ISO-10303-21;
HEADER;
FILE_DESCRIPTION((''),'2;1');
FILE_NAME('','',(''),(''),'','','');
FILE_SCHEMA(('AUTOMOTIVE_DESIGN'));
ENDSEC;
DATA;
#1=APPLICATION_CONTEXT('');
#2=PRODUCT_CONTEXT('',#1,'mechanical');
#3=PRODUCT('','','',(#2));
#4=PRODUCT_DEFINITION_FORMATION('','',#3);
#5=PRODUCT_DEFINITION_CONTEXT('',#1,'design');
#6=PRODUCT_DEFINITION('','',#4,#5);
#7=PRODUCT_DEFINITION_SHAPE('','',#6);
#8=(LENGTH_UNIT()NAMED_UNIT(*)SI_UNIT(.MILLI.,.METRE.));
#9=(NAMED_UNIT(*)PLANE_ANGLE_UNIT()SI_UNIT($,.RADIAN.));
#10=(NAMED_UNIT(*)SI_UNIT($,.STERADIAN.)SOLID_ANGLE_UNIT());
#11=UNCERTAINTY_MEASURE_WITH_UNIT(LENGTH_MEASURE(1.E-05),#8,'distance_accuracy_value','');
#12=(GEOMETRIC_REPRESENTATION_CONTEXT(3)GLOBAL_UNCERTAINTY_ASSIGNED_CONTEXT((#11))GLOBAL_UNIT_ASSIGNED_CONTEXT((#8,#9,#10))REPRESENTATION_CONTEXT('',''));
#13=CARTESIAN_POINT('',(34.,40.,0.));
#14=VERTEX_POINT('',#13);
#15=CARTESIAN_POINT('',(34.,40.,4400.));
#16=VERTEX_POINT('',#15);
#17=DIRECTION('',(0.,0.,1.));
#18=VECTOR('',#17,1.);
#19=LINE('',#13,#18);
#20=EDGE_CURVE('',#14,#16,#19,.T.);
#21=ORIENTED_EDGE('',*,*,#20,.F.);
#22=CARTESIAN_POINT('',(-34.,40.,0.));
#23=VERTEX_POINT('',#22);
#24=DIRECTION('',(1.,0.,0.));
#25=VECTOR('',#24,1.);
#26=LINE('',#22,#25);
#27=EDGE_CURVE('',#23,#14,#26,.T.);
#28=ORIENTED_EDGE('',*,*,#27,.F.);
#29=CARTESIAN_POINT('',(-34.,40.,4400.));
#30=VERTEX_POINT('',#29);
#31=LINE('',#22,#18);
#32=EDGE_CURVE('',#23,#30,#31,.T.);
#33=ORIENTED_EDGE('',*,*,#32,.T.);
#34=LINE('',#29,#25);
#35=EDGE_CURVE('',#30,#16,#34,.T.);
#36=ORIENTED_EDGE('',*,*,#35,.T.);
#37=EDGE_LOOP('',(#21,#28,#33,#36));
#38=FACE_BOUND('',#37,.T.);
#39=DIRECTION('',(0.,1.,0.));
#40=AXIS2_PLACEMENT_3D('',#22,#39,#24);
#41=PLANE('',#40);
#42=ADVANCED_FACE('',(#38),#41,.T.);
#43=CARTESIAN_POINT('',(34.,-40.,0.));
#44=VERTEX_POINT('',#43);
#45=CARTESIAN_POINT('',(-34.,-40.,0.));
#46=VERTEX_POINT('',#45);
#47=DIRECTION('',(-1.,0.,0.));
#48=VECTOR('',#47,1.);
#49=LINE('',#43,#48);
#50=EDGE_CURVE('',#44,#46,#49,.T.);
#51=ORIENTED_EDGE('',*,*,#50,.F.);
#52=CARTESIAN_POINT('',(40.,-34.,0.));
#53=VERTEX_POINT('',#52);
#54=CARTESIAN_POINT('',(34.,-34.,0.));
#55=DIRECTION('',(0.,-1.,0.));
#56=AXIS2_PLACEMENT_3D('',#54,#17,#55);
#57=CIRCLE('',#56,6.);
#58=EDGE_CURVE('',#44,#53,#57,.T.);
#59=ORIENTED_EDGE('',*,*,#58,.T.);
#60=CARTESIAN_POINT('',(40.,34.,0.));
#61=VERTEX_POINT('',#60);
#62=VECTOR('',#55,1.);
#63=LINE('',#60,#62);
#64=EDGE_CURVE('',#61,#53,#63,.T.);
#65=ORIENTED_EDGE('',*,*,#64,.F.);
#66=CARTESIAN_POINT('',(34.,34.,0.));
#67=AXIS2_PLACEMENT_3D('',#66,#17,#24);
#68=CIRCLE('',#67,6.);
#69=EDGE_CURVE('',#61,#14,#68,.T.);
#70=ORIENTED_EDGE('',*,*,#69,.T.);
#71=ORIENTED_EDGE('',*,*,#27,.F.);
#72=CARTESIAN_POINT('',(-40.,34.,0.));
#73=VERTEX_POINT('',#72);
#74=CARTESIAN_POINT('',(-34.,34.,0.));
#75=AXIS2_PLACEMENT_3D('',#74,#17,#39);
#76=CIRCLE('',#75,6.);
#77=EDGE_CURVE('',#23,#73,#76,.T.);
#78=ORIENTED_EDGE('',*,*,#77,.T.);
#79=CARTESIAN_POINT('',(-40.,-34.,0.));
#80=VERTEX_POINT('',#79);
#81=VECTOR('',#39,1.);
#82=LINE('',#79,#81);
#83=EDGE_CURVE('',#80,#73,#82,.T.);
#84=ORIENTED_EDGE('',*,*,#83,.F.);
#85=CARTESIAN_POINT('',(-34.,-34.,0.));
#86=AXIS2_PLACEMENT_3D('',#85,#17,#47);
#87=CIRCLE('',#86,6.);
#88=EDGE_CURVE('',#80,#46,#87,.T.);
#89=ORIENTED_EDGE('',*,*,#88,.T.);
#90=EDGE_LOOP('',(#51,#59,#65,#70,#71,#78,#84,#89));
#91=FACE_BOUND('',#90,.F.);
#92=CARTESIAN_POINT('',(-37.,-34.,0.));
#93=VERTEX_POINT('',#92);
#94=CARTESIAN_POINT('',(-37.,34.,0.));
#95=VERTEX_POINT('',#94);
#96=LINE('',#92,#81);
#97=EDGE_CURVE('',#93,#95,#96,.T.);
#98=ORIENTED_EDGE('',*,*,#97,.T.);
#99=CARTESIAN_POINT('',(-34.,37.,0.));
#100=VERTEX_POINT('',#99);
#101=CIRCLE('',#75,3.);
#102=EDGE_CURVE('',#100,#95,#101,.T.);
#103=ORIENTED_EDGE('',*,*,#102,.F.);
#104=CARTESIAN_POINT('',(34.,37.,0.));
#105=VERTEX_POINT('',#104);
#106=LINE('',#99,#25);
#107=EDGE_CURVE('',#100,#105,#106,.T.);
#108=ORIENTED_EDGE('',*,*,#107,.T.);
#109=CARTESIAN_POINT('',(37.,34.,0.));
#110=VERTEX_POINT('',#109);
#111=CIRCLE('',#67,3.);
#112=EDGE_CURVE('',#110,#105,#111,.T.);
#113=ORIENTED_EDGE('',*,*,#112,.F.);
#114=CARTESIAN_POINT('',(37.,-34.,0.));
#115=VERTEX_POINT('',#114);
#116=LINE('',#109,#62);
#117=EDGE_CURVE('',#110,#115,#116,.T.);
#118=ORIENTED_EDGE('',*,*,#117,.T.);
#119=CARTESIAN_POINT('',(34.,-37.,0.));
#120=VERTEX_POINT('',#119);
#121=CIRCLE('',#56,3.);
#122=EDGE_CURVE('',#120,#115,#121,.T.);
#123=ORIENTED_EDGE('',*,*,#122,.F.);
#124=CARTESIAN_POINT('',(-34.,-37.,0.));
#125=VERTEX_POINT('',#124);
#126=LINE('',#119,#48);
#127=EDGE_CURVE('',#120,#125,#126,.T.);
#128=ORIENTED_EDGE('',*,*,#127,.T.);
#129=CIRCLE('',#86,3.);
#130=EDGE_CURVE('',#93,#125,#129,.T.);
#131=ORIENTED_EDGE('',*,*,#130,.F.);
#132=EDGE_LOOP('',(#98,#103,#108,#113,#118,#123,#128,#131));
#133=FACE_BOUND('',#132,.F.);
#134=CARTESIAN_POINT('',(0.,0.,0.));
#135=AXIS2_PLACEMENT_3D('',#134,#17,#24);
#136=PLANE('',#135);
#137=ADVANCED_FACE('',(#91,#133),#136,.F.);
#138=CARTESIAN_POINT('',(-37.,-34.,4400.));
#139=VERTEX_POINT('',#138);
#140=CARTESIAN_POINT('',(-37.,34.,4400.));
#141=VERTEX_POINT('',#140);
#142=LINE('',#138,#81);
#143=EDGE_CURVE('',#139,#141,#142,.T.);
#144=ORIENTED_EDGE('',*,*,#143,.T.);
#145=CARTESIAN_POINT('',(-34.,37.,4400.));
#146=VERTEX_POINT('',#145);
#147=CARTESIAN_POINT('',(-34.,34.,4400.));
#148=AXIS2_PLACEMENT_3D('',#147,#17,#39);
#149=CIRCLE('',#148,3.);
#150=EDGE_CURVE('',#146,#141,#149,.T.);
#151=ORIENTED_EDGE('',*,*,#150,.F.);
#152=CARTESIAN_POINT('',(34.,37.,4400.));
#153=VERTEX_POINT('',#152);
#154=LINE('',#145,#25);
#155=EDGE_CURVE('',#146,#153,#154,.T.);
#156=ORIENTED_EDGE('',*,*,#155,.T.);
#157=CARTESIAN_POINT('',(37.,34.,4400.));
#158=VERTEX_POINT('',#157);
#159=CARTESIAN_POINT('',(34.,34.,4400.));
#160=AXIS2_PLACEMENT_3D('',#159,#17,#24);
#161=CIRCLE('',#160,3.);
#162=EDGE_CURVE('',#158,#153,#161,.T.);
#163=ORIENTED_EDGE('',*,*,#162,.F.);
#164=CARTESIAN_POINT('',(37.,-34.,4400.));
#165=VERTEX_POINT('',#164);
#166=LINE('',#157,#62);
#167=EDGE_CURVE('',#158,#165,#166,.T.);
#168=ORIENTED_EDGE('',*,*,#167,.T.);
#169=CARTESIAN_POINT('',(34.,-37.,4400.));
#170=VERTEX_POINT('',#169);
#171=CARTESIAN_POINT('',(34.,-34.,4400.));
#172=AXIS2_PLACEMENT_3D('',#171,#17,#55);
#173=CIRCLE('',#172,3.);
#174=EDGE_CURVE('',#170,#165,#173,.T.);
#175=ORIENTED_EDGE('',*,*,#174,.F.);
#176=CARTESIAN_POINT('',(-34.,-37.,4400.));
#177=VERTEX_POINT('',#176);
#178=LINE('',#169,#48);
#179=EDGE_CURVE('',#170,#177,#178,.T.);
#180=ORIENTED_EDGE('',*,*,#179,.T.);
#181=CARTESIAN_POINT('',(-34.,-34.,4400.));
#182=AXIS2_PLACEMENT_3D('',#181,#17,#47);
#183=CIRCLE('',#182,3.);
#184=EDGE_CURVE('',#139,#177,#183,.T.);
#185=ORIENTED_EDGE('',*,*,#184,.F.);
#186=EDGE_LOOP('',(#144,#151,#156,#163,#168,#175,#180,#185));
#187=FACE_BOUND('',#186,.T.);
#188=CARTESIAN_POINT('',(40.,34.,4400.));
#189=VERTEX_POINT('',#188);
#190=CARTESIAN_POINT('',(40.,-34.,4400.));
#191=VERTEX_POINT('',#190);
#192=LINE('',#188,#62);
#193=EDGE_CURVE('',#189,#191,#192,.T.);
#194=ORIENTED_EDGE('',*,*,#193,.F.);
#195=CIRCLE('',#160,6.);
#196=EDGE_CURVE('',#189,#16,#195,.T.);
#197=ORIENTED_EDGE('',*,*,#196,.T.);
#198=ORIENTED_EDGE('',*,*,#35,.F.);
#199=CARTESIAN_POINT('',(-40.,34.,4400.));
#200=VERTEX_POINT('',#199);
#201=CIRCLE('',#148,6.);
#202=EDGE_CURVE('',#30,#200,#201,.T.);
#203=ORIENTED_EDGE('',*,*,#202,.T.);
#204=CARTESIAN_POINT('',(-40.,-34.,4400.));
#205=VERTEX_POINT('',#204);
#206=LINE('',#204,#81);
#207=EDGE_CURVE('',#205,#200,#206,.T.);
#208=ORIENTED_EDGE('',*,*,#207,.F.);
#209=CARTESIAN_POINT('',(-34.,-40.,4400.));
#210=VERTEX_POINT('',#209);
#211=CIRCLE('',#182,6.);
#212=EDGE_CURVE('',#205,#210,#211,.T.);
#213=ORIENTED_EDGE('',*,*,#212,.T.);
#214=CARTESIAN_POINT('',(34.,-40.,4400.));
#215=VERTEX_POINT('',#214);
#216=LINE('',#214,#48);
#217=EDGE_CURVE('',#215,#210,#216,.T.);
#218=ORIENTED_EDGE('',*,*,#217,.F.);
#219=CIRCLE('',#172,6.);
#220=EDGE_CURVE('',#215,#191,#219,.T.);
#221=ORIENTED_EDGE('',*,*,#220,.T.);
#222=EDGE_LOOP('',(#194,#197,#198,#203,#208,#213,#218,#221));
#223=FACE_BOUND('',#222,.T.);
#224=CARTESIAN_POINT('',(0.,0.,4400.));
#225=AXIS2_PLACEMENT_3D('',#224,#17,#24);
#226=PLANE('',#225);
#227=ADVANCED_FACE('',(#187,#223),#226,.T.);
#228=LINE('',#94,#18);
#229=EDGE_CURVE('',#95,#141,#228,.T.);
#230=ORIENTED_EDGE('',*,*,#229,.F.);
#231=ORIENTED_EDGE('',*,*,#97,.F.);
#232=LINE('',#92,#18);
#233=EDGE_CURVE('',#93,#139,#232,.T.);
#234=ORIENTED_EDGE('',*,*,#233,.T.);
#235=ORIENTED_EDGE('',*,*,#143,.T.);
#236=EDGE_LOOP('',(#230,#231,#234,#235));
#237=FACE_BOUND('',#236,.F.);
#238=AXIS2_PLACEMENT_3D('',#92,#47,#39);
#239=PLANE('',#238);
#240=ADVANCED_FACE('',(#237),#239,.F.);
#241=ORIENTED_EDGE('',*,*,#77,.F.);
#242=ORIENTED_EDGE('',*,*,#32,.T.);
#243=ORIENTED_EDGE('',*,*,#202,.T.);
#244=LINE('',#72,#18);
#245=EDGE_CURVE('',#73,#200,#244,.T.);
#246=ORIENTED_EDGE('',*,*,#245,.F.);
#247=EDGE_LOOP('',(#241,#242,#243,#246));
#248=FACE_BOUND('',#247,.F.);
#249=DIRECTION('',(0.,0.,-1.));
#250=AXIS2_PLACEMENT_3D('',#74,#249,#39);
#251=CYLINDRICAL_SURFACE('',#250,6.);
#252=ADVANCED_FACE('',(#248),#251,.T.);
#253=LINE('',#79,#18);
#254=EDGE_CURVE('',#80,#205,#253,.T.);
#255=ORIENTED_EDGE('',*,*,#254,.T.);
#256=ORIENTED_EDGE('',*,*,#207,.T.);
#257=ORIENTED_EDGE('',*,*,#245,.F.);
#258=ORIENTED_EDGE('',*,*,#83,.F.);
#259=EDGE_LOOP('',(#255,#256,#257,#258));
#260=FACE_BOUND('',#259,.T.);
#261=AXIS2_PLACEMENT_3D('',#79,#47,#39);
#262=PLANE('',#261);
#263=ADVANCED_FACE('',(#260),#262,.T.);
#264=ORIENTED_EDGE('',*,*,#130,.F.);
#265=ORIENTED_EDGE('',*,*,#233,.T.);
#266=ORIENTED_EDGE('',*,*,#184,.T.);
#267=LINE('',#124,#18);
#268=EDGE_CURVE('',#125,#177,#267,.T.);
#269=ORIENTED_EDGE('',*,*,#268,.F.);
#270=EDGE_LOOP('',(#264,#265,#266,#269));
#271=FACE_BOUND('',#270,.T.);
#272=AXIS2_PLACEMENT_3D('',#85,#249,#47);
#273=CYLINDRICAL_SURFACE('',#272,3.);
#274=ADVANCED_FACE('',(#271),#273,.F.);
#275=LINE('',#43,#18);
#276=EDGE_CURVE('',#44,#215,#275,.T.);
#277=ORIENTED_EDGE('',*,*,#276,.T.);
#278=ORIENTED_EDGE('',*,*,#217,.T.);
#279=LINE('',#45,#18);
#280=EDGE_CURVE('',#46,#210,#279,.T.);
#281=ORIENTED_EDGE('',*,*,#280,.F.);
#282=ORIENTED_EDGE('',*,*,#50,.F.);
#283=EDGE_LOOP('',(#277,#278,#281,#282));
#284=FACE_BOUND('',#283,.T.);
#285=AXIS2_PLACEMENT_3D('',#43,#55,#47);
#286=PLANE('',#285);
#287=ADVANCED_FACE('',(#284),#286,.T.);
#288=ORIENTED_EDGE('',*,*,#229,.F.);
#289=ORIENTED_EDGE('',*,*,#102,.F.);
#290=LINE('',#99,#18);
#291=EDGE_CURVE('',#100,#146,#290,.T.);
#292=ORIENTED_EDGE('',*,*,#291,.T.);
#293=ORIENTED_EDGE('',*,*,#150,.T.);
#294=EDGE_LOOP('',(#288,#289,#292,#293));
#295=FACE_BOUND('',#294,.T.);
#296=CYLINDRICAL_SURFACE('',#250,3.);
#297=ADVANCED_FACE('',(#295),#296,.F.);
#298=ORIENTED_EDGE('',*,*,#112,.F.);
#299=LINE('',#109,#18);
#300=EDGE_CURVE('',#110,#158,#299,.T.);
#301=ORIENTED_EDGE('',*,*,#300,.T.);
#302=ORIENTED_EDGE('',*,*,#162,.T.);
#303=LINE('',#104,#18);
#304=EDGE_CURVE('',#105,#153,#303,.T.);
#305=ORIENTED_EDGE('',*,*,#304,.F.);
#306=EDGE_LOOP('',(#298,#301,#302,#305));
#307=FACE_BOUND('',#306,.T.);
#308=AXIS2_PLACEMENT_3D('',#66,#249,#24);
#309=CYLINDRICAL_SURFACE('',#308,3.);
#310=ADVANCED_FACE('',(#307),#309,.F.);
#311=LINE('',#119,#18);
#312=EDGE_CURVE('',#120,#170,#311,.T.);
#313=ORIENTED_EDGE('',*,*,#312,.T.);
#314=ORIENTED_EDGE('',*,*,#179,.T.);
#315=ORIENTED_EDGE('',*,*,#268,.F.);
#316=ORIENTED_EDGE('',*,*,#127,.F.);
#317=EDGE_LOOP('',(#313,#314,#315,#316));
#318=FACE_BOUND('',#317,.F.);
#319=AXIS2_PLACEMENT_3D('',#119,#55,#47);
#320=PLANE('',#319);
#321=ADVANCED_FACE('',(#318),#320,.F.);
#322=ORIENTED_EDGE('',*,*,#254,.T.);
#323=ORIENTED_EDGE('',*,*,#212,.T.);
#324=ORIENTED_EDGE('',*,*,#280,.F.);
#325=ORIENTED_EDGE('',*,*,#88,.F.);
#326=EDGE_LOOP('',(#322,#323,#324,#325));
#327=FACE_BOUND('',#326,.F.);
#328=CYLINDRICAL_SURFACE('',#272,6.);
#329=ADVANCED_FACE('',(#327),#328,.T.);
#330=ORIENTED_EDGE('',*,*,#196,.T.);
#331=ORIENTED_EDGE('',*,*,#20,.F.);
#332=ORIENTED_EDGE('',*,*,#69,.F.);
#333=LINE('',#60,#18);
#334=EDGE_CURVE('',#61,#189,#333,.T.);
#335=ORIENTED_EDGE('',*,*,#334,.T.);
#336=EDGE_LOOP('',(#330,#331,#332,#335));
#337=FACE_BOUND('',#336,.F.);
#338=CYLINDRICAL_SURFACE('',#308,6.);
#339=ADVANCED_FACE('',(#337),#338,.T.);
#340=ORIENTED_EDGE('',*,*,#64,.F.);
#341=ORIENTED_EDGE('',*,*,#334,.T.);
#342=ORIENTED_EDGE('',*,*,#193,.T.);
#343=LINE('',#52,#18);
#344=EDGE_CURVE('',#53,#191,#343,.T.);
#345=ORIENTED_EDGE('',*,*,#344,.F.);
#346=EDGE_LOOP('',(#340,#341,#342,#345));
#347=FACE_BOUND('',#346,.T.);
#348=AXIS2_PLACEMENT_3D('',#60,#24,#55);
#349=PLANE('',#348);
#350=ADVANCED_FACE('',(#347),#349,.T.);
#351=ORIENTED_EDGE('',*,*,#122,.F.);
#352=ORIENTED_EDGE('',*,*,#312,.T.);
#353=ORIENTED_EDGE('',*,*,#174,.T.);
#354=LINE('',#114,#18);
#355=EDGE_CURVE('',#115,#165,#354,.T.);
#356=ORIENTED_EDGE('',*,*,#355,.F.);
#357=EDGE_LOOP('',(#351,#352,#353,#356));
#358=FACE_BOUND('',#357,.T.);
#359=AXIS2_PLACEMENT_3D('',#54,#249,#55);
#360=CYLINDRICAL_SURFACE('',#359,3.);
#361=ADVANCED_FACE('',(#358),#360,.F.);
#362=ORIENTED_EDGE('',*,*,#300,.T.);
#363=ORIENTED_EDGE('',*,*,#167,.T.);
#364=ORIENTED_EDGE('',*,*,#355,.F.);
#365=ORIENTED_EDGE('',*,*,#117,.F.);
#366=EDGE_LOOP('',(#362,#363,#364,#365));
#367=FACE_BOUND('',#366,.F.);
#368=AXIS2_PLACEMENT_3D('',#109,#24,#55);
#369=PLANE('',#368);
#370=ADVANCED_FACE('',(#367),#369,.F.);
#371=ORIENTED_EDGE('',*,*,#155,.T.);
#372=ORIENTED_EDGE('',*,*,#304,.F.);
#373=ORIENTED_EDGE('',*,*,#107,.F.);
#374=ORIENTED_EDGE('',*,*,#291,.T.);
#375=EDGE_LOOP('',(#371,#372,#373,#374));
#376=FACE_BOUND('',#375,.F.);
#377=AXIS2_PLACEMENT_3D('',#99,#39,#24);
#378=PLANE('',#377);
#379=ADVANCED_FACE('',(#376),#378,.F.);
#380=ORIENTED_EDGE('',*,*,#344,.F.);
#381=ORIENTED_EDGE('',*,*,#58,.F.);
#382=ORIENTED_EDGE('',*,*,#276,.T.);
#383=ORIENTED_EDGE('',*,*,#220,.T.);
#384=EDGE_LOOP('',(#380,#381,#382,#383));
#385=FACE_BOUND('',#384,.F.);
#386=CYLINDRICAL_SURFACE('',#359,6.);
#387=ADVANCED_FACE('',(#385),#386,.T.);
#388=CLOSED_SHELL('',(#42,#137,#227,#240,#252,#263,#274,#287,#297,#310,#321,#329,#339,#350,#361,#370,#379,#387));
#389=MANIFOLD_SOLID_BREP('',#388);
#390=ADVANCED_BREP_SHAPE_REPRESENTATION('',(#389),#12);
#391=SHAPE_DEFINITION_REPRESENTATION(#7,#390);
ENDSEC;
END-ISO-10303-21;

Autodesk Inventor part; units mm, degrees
ref_plane "YZ Plane" through (0, 0, 0) normal (1, 0, 0) x (0, 1, 0)
ref_plane "Start Plane" through (0, 0, 0) normal (0, 0, 1) x (1, 0, 0)
ref_plane "End Plane" through (0, 0, 4400) normal (0, 0, 1) x (1, 0, 0)
sketch "Sketch" plane through (0, 0, 0) normal (0, 0, 1) x (1, 0, 0)
  line L0 (-40, -34) -> (-40, 34)
  line L1 (-34, 40) -> (34, 40)
  line L2 (40, 34) -> (40, -34)
  line L3 (34, -40) -> (-34, -40)
  arc A0 (-40, -34) -> (-34, -40) centre (-34, -34) ccw
  arc A1 (40, 34) -> (34, 40) centre (34, 34) ccw
  arc A2 (-34, 40) -> (-40, 34) centre (-34, 34) ccw
  arc A3 (34, -40) -> (40, -34) centre (34, -34) ccw
  arc A4 (-34, 37) -> (-37, 34) centre (-34, 34) ccw
  line L4 (-34, 37) -> (34, 37)
  arc A5 (37, 34) -> (34, 37) centre (34, 34) ccw
  line L5 (37, 34) -> (37, -34)
  arc A6 (34, -37) -> (37, -34) centre (34, -34) ccw
  line L6 (34, -37) -> (-34, -37)
  arc A7 (-37, -34) -> (-34, -37) centre (-34, -34) ccw
  line L7 (-37, -34) -> (-37, 34)
  line L8 (0, 57.7397) -> (0, -57.7397) construction
  line L9 (-57.7397, 0) -> (57.7397, 0) construction
  dimension "d7" = 6
  dimension "d9" = 80
  dimension "d11" = 80
  dimension "d12" = 3
  dimension "d15" = 40
  dimension "d16" = 40
extrude "Body" add sketch "Sketch" along normal up to surface (4400 mm away) from surface at 0
sketch "Sketch3" plane through (0, 0, 0) normal (0, 0, 1) x (1, 0, 0)
  line L0 (0, 0) -> (10, 0)
ref_plane "Work Plane3" through (0, 0, 0) normal (0, -1, 0) x (1, 0, 0)
sketch "Sketch4" plane through (0, 0, 0) normal (0, -1, 0) x (1, 0, 0)
  line L0 (-2, 0) -> (12, 0) projected
  line L1 (-2, 4400) -> (12, 4400) projected
  dimension "d18" = 4400
equation "\"d7\" = G_IR"
equation "\"d9\" = G_W"
equation "\"d11\" = G_H"
equation "\"d12\" = G_T"
equation "\"d15\" = 0.5 * d9"
equation "\"d16\" = 0.5 * d11"
equation "\"d3\" = G_L"
equation "\"G_W\" = 80"
equation "\"G_H\" = 80"
equation "\"G_T\" = 3"
equation "\"G_IR\" = 6"
equation "\"G_L\" = d18"
equation "\"G_OFFSET_START\" = 0"
equation "\"G_OFFSET_END\" = 0"
properties part number "ISO 4019 - 80x80x3 - 4400" material "Steel, Mild"
